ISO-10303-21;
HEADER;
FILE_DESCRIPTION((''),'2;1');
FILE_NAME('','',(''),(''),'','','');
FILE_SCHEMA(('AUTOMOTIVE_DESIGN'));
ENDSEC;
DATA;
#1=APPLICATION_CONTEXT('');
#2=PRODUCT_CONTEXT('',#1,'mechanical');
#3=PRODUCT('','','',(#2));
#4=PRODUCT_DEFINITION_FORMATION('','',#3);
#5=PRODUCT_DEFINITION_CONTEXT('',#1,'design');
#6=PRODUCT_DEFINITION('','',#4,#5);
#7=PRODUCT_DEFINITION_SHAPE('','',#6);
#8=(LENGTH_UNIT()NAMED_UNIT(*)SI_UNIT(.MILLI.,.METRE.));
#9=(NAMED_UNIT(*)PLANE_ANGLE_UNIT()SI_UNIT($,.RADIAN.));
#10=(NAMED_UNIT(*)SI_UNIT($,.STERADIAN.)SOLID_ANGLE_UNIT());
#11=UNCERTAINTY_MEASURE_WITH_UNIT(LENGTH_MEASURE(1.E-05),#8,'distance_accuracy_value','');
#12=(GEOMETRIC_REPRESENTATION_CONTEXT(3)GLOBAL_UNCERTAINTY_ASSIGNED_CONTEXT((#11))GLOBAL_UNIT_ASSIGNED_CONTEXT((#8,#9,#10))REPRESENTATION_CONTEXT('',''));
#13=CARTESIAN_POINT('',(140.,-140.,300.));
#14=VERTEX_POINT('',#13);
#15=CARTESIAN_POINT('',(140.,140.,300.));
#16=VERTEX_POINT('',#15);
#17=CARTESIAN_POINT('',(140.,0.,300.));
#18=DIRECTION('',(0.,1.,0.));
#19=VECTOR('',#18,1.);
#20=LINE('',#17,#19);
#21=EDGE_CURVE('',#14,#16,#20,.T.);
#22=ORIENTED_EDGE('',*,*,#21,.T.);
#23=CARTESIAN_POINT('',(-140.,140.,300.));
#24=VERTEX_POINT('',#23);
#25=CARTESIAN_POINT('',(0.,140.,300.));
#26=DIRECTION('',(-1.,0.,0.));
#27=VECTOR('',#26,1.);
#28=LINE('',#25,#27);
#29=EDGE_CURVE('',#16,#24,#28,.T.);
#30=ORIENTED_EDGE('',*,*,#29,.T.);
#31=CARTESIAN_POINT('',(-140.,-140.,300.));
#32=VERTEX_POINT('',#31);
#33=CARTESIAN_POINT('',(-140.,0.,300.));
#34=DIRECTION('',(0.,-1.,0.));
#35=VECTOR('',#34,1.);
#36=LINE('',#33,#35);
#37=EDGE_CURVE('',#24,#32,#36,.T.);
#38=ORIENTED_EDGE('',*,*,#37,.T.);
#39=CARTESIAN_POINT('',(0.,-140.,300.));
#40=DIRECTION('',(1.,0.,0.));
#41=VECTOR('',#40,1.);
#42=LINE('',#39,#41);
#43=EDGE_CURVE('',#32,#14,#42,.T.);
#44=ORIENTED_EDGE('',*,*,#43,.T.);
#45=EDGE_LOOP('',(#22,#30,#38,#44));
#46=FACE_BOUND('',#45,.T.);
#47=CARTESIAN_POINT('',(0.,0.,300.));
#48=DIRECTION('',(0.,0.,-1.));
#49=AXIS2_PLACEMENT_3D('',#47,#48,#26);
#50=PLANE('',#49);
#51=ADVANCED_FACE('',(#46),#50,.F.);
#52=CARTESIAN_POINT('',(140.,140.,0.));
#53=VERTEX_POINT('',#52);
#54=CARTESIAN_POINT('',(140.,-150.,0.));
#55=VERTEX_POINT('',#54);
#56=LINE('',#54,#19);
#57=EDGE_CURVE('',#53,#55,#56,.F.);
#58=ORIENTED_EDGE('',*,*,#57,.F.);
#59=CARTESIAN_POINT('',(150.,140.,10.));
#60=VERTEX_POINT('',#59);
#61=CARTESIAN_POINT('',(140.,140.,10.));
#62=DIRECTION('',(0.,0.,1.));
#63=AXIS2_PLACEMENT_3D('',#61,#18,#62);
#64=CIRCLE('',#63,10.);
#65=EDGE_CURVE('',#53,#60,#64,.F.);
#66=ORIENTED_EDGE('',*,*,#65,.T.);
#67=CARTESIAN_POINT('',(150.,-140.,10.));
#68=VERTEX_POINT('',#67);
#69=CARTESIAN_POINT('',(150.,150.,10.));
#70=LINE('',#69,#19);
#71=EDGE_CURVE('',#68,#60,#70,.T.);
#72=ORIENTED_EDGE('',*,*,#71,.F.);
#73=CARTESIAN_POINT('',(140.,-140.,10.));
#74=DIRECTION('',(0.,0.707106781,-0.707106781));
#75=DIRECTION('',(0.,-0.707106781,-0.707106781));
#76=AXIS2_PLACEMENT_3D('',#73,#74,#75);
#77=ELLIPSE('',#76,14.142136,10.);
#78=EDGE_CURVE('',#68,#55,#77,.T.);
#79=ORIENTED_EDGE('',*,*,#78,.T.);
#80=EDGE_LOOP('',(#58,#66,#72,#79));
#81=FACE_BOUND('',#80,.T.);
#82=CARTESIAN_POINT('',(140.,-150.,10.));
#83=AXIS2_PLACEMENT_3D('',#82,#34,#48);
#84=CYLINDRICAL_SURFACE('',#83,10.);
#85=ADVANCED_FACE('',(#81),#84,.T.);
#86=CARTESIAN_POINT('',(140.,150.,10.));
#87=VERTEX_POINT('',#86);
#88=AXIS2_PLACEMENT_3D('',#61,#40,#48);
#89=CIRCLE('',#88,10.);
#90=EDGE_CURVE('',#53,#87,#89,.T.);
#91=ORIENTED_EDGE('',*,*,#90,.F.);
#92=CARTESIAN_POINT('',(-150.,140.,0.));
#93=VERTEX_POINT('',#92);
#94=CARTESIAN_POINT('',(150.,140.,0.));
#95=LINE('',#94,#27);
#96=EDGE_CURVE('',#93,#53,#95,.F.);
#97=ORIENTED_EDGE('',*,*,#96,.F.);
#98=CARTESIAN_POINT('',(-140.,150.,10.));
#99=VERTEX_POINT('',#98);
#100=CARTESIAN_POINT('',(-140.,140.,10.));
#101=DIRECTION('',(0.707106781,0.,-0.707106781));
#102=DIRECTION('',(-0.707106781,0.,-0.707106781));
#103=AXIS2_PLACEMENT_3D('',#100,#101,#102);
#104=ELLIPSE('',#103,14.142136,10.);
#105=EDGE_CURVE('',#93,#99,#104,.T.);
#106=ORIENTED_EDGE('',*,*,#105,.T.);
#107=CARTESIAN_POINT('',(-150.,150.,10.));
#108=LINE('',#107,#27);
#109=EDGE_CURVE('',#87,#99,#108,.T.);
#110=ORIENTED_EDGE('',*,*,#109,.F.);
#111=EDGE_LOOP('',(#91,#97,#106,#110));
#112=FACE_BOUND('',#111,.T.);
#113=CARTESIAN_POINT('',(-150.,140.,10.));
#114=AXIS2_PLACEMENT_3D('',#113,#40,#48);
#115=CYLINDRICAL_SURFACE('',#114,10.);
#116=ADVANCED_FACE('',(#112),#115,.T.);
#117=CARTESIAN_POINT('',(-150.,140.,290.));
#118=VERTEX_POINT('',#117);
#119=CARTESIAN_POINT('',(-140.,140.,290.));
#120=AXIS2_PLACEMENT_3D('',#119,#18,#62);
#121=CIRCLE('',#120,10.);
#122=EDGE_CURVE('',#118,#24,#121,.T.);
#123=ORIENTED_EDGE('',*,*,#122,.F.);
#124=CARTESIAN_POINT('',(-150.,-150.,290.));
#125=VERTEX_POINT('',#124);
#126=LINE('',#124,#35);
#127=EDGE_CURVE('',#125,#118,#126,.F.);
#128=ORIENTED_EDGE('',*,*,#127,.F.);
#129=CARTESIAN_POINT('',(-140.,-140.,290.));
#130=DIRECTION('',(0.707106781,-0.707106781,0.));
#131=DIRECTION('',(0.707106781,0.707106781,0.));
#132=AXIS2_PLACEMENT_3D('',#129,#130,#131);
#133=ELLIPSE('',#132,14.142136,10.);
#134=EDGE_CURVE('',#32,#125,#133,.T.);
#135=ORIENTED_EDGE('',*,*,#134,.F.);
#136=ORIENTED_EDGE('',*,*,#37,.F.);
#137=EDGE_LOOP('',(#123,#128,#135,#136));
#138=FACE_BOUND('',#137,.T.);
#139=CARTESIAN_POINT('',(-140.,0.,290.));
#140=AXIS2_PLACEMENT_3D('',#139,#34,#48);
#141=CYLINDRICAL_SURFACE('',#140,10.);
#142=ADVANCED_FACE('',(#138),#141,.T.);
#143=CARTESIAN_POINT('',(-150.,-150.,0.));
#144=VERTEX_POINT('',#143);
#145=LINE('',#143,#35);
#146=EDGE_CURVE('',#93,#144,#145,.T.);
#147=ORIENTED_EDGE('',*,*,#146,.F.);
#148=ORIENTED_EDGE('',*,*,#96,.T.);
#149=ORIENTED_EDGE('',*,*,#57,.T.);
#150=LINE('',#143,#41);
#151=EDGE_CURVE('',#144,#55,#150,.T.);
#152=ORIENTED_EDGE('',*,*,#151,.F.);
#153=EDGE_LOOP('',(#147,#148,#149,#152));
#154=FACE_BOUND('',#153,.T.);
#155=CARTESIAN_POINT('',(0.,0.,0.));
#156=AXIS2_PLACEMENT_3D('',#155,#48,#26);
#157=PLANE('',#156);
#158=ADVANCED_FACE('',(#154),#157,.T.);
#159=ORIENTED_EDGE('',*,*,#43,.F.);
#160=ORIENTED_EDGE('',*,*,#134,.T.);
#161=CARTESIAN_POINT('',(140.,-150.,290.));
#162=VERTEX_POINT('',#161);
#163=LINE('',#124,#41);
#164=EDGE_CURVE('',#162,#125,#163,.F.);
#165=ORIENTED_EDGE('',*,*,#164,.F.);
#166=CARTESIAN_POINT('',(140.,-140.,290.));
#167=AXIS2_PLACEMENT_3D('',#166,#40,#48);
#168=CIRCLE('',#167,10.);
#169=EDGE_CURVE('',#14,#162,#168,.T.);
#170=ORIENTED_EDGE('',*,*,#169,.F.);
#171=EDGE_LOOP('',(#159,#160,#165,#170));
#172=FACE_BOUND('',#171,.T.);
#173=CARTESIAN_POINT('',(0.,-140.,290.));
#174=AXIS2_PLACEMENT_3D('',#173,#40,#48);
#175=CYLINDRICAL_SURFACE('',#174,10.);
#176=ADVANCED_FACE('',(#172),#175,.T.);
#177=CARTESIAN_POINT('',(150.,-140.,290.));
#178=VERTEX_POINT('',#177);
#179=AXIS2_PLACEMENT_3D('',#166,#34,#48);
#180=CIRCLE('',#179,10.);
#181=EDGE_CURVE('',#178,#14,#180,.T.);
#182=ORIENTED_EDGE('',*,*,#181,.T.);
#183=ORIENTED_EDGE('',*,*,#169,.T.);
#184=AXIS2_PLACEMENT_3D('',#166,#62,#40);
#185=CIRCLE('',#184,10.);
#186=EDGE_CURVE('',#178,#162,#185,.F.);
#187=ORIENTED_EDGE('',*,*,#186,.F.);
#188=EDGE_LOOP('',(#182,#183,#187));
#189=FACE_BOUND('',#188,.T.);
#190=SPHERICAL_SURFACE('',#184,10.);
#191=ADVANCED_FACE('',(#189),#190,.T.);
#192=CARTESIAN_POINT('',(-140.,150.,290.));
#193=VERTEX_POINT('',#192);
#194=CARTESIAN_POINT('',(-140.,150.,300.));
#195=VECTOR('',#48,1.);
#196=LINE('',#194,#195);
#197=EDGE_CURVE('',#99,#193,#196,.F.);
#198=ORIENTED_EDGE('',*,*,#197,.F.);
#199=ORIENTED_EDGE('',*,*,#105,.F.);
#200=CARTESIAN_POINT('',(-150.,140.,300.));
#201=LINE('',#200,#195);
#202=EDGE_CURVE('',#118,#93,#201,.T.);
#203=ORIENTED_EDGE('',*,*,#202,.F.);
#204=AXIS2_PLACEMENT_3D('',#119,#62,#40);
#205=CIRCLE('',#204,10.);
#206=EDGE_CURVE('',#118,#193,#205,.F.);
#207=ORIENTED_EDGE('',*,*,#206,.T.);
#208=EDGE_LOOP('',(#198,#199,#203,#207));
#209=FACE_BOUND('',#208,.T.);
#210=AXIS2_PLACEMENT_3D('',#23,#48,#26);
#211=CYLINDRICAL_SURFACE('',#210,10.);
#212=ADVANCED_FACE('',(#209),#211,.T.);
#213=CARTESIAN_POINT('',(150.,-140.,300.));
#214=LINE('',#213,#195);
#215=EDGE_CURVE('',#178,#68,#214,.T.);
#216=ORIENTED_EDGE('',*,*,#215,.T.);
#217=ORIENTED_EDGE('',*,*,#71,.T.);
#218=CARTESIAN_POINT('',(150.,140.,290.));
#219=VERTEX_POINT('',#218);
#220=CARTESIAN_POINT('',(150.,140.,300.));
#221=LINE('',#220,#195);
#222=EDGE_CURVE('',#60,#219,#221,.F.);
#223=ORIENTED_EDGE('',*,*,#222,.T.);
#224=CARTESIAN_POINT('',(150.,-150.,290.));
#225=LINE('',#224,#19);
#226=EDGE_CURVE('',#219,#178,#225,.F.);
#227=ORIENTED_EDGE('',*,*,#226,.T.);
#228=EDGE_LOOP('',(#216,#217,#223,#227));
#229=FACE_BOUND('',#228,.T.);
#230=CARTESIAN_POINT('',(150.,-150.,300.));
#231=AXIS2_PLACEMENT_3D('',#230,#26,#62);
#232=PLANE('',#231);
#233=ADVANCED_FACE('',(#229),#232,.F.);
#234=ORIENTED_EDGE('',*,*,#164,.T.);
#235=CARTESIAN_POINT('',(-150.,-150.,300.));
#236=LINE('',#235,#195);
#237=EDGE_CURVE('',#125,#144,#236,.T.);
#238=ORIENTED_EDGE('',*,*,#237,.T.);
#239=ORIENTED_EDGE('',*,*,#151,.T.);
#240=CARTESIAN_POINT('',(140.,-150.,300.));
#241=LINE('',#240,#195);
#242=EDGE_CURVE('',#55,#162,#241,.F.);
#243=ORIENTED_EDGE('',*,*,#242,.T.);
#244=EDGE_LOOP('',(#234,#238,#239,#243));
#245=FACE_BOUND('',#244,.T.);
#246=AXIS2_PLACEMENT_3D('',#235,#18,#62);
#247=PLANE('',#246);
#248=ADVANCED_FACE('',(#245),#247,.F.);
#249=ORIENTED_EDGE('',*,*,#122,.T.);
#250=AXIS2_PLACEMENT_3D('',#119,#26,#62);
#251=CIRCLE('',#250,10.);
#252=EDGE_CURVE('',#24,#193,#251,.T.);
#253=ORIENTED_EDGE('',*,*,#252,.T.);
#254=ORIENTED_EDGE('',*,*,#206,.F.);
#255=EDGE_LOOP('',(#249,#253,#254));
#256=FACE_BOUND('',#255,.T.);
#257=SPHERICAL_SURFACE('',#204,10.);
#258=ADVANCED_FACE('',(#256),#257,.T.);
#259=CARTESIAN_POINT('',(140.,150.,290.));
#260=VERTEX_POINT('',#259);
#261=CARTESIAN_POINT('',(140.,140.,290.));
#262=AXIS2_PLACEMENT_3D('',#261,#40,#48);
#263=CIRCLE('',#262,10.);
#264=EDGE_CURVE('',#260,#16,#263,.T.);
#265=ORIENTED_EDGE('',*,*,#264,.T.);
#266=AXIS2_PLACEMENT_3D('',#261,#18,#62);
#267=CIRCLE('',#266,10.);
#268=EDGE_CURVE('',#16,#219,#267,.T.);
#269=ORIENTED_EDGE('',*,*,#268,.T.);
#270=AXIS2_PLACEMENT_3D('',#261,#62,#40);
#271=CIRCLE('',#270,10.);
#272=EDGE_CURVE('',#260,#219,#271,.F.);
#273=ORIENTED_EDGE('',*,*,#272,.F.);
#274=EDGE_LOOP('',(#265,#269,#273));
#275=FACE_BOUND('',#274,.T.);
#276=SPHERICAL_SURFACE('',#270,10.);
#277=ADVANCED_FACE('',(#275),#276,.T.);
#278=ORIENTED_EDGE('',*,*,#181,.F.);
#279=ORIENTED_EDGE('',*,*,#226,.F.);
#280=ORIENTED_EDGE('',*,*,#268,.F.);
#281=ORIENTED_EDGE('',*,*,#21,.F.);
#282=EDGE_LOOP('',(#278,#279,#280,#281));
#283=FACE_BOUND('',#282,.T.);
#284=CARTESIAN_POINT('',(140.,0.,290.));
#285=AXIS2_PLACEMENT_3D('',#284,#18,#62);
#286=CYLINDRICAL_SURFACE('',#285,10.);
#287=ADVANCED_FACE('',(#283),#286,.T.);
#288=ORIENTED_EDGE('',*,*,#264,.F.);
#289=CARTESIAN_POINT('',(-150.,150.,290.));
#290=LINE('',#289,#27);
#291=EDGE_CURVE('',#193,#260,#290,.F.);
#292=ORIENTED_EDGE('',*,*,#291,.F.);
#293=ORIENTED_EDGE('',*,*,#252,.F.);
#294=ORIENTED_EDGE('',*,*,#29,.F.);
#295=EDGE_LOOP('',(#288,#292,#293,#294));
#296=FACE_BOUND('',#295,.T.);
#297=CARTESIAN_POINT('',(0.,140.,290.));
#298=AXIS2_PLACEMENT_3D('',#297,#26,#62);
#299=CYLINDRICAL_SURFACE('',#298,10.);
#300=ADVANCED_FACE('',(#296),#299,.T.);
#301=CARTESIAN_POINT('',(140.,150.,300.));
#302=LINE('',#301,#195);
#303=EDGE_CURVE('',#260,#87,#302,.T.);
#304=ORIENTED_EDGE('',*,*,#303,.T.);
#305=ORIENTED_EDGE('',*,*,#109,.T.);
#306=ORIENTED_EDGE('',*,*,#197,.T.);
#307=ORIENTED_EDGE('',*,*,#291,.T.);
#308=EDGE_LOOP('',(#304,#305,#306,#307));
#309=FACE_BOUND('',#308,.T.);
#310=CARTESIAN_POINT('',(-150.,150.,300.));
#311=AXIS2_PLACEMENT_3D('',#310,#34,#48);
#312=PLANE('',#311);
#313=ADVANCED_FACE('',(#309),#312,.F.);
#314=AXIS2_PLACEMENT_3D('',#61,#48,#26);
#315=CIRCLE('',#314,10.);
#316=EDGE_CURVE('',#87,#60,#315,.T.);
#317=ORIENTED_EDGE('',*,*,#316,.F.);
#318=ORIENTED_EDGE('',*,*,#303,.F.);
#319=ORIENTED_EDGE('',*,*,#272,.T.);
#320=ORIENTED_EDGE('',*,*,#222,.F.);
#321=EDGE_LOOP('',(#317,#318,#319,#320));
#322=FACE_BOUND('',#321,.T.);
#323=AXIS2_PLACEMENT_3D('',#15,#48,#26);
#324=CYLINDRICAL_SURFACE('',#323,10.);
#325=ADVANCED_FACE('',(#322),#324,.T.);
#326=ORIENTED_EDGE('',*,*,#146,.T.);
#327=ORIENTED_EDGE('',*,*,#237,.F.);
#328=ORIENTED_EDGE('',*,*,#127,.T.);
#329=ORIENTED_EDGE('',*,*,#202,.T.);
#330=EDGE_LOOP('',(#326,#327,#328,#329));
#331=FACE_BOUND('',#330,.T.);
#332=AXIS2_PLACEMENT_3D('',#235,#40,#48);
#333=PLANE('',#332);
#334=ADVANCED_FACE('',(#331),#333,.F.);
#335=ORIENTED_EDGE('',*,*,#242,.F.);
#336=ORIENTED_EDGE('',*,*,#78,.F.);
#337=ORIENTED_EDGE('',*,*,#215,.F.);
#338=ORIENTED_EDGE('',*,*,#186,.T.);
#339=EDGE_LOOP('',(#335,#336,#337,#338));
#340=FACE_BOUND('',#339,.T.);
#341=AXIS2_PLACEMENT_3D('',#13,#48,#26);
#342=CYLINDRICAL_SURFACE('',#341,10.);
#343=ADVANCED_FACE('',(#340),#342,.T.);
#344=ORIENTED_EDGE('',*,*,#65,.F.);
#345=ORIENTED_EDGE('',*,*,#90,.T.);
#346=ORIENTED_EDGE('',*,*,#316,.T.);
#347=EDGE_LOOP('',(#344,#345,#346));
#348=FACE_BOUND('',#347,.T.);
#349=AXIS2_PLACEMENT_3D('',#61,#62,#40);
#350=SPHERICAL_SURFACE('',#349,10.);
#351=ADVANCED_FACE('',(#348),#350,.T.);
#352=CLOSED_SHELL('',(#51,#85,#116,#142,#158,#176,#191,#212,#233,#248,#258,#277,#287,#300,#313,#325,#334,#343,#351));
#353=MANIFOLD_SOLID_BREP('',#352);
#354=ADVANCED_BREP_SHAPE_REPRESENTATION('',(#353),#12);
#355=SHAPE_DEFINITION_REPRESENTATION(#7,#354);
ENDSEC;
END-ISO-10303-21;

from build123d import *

# Parameters (mm, degrees)
SKETCH1_W           = 300
SKETCH1_H           = 300
BOSS_EXTRUDE1_DEPTH = 300
FILLET1_R           = 10


with BuildPart() as part:
    # Sketch1 → Boss-Extrude1 (new body)
    with BuildSketch(Plane.XY):
        Rectangle(SKETCH1_W, SKETCH1_H)
    extrude(amount=BOSS_EXTRUDE1_DEPTH)

    # Fillet1
    fillet1_edges = [part.edges().sort_by_distance(p)[0] for p in [
        (-150, 0, 300),
        (0, -150, 300),
        (150, 0, 300),
        (0, 150, 0),
        (150, 0, 0),
        (150, -150, 150),
        (-150, 150, 150),
        (150, 150, 150),
        (0, 150, 300),
    ]]
    fillet(fillet1_edges, radius=FILLET1_R)


solid = part.part
